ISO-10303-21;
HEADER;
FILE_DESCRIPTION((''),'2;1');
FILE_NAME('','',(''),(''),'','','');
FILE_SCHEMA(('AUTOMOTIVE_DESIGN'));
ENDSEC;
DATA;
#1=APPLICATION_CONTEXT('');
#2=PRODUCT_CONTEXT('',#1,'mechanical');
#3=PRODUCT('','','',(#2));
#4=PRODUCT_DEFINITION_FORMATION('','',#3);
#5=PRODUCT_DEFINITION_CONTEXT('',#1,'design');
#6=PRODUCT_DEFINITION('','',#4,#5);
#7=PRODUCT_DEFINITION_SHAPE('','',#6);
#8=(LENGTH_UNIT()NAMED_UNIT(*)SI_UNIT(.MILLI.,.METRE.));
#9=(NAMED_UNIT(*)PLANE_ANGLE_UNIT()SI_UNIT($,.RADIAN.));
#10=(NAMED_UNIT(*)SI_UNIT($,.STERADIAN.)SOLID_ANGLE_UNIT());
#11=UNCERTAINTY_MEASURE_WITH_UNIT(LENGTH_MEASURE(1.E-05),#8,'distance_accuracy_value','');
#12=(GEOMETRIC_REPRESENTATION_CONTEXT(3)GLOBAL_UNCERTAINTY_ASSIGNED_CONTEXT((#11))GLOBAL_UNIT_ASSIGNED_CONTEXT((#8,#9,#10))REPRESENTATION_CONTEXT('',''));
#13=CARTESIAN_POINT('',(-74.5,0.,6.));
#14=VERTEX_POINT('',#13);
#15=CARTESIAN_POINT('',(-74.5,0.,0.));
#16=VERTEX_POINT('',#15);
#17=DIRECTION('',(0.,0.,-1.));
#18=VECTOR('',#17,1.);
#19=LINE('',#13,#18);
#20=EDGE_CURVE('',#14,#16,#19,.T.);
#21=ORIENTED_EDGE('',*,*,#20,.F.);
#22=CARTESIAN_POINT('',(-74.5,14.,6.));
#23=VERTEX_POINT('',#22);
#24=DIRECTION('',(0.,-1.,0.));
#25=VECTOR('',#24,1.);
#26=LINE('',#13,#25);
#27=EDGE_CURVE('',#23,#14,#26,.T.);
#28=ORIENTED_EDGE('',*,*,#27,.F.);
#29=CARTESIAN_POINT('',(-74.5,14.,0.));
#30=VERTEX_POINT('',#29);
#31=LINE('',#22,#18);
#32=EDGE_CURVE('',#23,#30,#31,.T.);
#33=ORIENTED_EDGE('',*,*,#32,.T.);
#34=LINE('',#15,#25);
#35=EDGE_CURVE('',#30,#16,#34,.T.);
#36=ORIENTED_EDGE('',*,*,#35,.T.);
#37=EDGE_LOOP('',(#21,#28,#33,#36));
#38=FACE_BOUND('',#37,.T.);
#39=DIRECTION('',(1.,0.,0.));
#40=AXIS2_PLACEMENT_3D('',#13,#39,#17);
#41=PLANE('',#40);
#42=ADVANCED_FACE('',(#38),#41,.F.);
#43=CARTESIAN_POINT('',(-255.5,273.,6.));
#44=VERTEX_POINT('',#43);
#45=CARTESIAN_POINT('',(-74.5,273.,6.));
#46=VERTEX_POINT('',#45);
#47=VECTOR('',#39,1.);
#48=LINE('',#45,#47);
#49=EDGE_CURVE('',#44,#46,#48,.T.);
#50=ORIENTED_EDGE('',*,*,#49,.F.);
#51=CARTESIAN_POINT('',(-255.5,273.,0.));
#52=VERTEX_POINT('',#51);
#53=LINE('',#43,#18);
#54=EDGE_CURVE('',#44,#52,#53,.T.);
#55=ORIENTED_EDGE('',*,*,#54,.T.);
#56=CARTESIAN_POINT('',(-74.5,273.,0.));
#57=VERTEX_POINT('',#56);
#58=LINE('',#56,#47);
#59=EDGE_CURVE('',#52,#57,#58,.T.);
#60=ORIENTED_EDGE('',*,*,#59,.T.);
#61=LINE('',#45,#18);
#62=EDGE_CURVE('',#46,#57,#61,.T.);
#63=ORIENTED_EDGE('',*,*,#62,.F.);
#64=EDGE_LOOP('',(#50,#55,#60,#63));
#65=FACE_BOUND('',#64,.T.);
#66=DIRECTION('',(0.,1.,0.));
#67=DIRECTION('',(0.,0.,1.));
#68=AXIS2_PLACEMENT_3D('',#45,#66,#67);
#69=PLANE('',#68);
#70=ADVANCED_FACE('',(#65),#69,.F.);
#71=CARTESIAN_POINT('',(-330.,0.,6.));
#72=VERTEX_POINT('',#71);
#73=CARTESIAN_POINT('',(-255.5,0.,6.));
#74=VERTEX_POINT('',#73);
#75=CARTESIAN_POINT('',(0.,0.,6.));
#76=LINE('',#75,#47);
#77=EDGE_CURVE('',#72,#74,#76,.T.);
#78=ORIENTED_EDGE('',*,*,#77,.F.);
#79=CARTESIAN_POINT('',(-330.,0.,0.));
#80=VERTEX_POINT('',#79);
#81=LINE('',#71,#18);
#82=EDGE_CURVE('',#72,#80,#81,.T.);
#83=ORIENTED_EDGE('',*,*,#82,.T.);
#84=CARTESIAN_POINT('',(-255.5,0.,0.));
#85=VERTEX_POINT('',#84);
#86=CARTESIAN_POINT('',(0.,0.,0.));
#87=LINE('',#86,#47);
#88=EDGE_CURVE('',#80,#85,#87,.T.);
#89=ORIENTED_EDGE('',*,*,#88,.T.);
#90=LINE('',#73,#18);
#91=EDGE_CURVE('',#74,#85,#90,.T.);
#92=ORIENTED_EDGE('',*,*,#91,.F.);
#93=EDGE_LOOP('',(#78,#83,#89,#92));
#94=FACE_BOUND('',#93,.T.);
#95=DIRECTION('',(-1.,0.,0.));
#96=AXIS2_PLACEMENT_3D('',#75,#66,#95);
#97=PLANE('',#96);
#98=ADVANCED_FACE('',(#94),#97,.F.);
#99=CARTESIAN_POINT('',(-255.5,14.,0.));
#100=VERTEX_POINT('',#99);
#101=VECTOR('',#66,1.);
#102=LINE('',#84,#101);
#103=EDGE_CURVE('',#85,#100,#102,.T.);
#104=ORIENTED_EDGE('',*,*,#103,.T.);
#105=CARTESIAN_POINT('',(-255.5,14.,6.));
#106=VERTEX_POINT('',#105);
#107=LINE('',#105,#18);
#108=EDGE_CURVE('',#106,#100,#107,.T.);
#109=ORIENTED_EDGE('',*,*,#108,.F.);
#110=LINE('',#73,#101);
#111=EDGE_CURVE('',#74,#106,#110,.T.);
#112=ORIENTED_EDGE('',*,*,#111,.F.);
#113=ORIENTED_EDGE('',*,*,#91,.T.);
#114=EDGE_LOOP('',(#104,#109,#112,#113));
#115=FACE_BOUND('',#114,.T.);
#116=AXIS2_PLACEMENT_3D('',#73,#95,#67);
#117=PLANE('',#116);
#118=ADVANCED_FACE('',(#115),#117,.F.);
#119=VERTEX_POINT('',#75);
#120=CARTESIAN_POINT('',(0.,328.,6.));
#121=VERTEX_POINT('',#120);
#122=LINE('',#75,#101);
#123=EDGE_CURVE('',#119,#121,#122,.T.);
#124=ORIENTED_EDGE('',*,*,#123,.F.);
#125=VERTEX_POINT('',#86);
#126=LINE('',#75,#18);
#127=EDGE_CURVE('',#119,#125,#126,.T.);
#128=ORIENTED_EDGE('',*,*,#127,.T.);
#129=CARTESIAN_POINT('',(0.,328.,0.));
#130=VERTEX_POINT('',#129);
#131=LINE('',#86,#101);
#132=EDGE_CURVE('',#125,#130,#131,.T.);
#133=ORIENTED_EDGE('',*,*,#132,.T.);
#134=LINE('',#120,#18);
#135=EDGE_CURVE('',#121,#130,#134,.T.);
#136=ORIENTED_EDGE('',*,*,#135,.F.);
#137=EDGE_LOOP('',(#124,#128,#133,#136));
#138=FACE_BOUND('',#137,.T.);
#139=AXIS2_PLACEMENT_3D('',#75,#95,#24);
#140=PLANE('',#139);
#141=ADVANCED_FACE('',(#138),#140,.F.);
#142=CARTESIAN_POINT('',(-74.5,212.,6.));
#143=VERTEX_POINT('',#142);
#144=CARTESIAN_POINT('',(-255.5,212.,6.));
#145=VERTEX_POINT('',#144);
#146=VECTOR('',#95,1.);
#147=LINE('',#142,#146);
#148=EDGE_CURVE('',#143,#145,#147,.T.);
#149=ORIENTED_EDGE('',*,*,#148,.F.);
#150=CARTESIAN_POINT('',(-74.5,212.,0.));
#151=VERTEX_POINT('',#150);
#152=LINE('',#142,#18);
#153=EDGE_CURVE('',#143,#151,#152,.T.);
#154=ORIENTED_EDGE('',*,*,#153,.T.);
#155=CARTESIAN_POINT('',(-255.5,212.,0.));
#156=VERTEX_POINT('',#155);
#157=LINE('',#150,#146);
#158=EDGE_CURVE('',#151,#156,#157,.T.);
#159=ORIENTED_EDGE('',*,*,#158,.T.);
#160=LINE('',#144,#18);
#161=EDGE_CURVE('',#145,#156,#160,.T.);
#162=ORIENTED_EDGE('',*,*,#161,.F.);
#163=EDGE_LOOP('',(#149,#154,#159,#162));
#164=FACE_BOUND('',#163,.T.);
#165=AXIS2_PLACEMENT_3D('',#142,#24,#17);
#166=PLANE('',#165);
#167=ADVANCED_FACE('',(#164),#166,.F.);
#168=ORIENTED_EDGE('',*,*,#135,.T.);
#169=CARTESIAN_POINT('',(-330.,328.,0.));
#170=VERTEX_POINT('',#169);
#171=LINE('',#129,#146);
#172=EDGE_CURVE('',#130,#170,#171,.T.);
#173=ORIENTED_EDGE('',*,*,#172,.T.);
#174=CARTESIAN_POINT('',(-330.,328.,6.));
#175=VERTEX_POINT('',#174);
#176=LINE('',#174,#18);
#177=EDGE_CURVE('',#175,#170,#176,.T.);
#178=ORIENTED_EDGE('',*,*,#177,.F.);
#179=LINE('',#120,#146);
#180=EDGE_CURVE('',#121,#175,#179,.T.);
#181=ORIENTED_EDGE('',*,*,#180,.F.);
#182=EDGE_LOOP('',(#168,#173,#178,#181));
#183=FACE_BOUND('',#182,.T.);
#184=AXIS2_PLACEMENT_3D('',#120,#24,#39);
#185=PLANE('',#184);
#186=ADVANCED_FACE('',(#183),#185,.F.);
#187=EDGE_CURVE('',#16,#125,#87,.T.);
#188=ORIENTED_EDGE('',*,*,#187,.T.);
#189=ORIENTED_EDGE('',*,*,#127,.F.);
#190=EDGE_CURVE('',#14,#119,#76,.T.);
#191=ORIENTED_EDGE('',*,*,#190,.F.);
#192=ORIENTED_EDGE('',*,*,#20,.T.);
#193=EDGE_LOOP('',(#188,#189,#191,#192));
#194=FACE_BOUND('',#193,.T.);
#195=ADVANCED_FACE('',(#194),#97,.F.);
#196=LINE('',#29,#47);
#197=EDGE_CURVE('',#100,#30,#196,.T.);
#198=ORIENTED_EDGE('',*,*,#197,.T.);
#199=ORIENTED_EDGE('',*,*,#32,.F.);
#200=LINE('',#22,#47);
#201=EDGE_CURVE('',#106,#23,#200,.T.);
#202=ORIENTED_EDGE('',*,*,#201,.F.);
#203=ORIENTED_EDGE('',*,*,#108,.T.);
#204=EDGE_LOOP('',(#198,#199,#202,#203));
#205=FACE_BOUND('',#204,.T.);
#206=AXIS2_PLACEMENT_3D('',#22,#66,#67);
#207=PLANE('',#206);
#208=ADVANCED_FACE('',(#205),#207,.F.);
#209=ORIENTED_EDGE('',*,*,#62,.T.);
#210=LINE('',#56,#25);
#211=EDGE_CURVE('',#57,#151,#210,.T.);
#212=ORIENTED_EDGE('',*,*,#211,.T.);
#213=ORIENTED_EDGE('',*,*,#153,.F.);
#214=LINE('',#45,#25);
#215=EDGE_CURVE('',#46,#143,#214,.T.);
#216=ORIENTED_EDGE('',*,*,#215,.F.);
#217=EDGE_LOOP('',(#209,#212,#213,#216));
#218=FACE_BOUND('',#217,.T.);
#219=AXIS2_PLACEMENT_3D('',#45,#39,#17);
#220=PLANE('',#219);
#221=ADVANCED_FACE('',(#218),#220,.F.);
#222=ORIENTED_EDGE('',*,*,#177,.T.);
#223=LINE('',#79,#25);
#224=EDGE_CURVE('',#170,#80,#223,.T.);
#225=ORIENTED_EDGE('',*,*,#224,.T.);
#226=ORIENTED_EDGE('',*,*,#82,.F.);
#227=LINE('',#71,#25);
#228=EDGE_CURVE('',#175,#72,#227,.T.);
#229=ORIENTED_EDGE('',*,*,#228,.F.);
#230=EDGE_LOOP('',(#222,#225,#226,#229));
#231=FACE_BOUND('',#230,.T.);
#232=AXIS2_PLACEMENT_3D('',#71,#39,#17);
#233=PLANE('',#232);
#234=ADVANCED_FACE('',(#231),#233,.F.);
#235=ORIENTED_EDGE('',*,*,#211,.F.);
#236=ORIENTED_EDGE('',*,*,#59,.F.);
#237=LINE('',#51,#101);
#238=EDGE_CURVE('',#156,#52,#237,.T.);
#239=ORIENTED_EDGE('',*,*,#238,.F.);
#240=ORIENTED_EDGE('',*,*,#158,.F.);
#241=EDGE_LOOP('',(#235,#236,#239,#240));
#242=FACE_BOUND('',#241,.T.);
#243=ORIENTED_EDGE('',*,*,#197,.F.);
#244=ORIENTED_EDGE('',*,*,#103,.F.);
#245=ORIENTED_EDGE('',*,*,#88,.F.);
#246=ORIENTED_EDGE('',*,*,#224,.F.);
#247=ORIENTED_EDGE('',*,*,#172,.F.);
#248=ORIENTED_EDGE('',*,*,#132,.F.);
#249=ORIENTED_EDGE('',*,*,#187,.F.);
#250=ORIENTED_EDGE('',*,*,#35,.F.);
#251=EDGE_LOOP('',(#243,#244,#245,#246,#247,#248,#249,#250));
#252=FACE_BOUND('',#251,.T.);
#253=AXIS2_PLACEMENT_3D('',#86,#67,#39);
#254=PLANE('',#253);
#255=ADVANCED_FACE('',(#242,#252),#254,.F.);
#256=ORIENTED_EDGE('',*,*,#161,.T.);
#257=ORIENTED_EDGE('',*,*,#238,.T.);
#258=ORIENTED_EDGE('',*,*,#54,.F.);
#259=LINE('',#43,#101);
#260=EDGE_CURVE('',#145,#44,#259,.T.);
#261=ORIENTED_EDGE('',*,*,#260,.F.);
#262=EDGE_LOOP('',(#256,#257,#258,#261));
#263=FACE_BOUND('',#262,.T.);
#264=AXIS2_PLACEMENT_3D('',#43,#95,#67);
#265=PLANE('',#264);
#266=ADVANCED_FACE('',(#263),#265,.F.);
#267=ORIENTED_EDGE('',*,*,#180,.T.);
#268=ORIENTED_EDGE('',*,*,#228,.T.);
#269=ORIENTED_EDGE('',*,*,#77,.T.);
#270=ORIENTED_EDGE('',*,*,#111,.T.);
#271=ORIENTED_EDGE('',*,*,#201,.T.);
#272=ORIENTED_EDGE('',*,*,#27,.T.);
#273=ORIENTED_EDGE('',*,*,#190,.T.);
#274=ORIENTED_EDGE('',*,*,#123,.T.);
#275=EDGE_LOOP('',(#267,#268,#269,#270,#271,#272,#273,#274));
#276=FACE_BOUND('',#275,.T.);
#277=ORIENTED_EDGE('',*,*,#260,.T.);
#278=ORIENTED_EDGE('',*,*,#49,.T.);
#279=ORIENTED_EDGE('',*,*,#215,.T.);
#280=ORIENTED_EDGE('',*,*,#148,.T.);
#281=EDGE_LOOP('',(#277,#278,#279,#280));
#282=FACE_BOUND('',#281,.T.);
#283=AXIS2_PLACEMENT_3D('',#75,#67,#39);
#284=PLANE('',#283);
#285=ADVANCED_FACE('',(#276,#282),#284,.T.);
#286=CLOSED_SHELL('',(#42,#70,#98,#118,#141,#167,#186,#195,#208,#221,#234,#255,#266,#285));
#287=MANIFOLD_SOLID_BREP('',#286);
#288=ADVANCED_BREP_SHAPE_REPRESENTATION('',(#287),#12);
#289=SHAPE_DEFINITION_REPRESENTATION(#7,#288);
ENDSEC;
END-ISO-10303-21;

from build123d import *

# Parameters (mm, degrees)
ESQUISSE1_W             = 330
ESQUISSE1_H             = 328
BOSS_EXTRU_1_DEPTH      = 6
ESQUISSE2_W             = 181
ESQUISSE2_H             = 61
ESQUISSE2_H_2           = 14
ENL_V_MAT_EXTRU_1_DEPTH = 466.317096183


with BuildPart() as part:
    # Esquisse1 → Boss.-Extru.1 (new body)
    with BuildSketch(Plane.XY):
        with Locations((-165, 164)):
            Rectangle(ESQUISSE1_W, ESQUISSE1_H)
    extrude(amount=BOSS_EXTRU_1_DEPTH)

    # Esquisse2 → Enlèv. mat.-Extru.1 (cut, through all)
    with BuildSketch(Plane(origin=(0, 0, 0), x_dir=(-1, 0, 0), z_dir=(0, 0, -1))):
        with Locations((165, 242.5)):
            Rectangle(ESQUISSE2_W, ESQUISSE2_H)
        with Locations((165, 7)):
            Rectangle(ESQUISSE2_W, ESQUISSE2_H_2)
    extrude(amount=-ENL_V_MAT_EXTRU_1_DEPTH, mode=Mode.SUBTRACT)


solid = part.part
